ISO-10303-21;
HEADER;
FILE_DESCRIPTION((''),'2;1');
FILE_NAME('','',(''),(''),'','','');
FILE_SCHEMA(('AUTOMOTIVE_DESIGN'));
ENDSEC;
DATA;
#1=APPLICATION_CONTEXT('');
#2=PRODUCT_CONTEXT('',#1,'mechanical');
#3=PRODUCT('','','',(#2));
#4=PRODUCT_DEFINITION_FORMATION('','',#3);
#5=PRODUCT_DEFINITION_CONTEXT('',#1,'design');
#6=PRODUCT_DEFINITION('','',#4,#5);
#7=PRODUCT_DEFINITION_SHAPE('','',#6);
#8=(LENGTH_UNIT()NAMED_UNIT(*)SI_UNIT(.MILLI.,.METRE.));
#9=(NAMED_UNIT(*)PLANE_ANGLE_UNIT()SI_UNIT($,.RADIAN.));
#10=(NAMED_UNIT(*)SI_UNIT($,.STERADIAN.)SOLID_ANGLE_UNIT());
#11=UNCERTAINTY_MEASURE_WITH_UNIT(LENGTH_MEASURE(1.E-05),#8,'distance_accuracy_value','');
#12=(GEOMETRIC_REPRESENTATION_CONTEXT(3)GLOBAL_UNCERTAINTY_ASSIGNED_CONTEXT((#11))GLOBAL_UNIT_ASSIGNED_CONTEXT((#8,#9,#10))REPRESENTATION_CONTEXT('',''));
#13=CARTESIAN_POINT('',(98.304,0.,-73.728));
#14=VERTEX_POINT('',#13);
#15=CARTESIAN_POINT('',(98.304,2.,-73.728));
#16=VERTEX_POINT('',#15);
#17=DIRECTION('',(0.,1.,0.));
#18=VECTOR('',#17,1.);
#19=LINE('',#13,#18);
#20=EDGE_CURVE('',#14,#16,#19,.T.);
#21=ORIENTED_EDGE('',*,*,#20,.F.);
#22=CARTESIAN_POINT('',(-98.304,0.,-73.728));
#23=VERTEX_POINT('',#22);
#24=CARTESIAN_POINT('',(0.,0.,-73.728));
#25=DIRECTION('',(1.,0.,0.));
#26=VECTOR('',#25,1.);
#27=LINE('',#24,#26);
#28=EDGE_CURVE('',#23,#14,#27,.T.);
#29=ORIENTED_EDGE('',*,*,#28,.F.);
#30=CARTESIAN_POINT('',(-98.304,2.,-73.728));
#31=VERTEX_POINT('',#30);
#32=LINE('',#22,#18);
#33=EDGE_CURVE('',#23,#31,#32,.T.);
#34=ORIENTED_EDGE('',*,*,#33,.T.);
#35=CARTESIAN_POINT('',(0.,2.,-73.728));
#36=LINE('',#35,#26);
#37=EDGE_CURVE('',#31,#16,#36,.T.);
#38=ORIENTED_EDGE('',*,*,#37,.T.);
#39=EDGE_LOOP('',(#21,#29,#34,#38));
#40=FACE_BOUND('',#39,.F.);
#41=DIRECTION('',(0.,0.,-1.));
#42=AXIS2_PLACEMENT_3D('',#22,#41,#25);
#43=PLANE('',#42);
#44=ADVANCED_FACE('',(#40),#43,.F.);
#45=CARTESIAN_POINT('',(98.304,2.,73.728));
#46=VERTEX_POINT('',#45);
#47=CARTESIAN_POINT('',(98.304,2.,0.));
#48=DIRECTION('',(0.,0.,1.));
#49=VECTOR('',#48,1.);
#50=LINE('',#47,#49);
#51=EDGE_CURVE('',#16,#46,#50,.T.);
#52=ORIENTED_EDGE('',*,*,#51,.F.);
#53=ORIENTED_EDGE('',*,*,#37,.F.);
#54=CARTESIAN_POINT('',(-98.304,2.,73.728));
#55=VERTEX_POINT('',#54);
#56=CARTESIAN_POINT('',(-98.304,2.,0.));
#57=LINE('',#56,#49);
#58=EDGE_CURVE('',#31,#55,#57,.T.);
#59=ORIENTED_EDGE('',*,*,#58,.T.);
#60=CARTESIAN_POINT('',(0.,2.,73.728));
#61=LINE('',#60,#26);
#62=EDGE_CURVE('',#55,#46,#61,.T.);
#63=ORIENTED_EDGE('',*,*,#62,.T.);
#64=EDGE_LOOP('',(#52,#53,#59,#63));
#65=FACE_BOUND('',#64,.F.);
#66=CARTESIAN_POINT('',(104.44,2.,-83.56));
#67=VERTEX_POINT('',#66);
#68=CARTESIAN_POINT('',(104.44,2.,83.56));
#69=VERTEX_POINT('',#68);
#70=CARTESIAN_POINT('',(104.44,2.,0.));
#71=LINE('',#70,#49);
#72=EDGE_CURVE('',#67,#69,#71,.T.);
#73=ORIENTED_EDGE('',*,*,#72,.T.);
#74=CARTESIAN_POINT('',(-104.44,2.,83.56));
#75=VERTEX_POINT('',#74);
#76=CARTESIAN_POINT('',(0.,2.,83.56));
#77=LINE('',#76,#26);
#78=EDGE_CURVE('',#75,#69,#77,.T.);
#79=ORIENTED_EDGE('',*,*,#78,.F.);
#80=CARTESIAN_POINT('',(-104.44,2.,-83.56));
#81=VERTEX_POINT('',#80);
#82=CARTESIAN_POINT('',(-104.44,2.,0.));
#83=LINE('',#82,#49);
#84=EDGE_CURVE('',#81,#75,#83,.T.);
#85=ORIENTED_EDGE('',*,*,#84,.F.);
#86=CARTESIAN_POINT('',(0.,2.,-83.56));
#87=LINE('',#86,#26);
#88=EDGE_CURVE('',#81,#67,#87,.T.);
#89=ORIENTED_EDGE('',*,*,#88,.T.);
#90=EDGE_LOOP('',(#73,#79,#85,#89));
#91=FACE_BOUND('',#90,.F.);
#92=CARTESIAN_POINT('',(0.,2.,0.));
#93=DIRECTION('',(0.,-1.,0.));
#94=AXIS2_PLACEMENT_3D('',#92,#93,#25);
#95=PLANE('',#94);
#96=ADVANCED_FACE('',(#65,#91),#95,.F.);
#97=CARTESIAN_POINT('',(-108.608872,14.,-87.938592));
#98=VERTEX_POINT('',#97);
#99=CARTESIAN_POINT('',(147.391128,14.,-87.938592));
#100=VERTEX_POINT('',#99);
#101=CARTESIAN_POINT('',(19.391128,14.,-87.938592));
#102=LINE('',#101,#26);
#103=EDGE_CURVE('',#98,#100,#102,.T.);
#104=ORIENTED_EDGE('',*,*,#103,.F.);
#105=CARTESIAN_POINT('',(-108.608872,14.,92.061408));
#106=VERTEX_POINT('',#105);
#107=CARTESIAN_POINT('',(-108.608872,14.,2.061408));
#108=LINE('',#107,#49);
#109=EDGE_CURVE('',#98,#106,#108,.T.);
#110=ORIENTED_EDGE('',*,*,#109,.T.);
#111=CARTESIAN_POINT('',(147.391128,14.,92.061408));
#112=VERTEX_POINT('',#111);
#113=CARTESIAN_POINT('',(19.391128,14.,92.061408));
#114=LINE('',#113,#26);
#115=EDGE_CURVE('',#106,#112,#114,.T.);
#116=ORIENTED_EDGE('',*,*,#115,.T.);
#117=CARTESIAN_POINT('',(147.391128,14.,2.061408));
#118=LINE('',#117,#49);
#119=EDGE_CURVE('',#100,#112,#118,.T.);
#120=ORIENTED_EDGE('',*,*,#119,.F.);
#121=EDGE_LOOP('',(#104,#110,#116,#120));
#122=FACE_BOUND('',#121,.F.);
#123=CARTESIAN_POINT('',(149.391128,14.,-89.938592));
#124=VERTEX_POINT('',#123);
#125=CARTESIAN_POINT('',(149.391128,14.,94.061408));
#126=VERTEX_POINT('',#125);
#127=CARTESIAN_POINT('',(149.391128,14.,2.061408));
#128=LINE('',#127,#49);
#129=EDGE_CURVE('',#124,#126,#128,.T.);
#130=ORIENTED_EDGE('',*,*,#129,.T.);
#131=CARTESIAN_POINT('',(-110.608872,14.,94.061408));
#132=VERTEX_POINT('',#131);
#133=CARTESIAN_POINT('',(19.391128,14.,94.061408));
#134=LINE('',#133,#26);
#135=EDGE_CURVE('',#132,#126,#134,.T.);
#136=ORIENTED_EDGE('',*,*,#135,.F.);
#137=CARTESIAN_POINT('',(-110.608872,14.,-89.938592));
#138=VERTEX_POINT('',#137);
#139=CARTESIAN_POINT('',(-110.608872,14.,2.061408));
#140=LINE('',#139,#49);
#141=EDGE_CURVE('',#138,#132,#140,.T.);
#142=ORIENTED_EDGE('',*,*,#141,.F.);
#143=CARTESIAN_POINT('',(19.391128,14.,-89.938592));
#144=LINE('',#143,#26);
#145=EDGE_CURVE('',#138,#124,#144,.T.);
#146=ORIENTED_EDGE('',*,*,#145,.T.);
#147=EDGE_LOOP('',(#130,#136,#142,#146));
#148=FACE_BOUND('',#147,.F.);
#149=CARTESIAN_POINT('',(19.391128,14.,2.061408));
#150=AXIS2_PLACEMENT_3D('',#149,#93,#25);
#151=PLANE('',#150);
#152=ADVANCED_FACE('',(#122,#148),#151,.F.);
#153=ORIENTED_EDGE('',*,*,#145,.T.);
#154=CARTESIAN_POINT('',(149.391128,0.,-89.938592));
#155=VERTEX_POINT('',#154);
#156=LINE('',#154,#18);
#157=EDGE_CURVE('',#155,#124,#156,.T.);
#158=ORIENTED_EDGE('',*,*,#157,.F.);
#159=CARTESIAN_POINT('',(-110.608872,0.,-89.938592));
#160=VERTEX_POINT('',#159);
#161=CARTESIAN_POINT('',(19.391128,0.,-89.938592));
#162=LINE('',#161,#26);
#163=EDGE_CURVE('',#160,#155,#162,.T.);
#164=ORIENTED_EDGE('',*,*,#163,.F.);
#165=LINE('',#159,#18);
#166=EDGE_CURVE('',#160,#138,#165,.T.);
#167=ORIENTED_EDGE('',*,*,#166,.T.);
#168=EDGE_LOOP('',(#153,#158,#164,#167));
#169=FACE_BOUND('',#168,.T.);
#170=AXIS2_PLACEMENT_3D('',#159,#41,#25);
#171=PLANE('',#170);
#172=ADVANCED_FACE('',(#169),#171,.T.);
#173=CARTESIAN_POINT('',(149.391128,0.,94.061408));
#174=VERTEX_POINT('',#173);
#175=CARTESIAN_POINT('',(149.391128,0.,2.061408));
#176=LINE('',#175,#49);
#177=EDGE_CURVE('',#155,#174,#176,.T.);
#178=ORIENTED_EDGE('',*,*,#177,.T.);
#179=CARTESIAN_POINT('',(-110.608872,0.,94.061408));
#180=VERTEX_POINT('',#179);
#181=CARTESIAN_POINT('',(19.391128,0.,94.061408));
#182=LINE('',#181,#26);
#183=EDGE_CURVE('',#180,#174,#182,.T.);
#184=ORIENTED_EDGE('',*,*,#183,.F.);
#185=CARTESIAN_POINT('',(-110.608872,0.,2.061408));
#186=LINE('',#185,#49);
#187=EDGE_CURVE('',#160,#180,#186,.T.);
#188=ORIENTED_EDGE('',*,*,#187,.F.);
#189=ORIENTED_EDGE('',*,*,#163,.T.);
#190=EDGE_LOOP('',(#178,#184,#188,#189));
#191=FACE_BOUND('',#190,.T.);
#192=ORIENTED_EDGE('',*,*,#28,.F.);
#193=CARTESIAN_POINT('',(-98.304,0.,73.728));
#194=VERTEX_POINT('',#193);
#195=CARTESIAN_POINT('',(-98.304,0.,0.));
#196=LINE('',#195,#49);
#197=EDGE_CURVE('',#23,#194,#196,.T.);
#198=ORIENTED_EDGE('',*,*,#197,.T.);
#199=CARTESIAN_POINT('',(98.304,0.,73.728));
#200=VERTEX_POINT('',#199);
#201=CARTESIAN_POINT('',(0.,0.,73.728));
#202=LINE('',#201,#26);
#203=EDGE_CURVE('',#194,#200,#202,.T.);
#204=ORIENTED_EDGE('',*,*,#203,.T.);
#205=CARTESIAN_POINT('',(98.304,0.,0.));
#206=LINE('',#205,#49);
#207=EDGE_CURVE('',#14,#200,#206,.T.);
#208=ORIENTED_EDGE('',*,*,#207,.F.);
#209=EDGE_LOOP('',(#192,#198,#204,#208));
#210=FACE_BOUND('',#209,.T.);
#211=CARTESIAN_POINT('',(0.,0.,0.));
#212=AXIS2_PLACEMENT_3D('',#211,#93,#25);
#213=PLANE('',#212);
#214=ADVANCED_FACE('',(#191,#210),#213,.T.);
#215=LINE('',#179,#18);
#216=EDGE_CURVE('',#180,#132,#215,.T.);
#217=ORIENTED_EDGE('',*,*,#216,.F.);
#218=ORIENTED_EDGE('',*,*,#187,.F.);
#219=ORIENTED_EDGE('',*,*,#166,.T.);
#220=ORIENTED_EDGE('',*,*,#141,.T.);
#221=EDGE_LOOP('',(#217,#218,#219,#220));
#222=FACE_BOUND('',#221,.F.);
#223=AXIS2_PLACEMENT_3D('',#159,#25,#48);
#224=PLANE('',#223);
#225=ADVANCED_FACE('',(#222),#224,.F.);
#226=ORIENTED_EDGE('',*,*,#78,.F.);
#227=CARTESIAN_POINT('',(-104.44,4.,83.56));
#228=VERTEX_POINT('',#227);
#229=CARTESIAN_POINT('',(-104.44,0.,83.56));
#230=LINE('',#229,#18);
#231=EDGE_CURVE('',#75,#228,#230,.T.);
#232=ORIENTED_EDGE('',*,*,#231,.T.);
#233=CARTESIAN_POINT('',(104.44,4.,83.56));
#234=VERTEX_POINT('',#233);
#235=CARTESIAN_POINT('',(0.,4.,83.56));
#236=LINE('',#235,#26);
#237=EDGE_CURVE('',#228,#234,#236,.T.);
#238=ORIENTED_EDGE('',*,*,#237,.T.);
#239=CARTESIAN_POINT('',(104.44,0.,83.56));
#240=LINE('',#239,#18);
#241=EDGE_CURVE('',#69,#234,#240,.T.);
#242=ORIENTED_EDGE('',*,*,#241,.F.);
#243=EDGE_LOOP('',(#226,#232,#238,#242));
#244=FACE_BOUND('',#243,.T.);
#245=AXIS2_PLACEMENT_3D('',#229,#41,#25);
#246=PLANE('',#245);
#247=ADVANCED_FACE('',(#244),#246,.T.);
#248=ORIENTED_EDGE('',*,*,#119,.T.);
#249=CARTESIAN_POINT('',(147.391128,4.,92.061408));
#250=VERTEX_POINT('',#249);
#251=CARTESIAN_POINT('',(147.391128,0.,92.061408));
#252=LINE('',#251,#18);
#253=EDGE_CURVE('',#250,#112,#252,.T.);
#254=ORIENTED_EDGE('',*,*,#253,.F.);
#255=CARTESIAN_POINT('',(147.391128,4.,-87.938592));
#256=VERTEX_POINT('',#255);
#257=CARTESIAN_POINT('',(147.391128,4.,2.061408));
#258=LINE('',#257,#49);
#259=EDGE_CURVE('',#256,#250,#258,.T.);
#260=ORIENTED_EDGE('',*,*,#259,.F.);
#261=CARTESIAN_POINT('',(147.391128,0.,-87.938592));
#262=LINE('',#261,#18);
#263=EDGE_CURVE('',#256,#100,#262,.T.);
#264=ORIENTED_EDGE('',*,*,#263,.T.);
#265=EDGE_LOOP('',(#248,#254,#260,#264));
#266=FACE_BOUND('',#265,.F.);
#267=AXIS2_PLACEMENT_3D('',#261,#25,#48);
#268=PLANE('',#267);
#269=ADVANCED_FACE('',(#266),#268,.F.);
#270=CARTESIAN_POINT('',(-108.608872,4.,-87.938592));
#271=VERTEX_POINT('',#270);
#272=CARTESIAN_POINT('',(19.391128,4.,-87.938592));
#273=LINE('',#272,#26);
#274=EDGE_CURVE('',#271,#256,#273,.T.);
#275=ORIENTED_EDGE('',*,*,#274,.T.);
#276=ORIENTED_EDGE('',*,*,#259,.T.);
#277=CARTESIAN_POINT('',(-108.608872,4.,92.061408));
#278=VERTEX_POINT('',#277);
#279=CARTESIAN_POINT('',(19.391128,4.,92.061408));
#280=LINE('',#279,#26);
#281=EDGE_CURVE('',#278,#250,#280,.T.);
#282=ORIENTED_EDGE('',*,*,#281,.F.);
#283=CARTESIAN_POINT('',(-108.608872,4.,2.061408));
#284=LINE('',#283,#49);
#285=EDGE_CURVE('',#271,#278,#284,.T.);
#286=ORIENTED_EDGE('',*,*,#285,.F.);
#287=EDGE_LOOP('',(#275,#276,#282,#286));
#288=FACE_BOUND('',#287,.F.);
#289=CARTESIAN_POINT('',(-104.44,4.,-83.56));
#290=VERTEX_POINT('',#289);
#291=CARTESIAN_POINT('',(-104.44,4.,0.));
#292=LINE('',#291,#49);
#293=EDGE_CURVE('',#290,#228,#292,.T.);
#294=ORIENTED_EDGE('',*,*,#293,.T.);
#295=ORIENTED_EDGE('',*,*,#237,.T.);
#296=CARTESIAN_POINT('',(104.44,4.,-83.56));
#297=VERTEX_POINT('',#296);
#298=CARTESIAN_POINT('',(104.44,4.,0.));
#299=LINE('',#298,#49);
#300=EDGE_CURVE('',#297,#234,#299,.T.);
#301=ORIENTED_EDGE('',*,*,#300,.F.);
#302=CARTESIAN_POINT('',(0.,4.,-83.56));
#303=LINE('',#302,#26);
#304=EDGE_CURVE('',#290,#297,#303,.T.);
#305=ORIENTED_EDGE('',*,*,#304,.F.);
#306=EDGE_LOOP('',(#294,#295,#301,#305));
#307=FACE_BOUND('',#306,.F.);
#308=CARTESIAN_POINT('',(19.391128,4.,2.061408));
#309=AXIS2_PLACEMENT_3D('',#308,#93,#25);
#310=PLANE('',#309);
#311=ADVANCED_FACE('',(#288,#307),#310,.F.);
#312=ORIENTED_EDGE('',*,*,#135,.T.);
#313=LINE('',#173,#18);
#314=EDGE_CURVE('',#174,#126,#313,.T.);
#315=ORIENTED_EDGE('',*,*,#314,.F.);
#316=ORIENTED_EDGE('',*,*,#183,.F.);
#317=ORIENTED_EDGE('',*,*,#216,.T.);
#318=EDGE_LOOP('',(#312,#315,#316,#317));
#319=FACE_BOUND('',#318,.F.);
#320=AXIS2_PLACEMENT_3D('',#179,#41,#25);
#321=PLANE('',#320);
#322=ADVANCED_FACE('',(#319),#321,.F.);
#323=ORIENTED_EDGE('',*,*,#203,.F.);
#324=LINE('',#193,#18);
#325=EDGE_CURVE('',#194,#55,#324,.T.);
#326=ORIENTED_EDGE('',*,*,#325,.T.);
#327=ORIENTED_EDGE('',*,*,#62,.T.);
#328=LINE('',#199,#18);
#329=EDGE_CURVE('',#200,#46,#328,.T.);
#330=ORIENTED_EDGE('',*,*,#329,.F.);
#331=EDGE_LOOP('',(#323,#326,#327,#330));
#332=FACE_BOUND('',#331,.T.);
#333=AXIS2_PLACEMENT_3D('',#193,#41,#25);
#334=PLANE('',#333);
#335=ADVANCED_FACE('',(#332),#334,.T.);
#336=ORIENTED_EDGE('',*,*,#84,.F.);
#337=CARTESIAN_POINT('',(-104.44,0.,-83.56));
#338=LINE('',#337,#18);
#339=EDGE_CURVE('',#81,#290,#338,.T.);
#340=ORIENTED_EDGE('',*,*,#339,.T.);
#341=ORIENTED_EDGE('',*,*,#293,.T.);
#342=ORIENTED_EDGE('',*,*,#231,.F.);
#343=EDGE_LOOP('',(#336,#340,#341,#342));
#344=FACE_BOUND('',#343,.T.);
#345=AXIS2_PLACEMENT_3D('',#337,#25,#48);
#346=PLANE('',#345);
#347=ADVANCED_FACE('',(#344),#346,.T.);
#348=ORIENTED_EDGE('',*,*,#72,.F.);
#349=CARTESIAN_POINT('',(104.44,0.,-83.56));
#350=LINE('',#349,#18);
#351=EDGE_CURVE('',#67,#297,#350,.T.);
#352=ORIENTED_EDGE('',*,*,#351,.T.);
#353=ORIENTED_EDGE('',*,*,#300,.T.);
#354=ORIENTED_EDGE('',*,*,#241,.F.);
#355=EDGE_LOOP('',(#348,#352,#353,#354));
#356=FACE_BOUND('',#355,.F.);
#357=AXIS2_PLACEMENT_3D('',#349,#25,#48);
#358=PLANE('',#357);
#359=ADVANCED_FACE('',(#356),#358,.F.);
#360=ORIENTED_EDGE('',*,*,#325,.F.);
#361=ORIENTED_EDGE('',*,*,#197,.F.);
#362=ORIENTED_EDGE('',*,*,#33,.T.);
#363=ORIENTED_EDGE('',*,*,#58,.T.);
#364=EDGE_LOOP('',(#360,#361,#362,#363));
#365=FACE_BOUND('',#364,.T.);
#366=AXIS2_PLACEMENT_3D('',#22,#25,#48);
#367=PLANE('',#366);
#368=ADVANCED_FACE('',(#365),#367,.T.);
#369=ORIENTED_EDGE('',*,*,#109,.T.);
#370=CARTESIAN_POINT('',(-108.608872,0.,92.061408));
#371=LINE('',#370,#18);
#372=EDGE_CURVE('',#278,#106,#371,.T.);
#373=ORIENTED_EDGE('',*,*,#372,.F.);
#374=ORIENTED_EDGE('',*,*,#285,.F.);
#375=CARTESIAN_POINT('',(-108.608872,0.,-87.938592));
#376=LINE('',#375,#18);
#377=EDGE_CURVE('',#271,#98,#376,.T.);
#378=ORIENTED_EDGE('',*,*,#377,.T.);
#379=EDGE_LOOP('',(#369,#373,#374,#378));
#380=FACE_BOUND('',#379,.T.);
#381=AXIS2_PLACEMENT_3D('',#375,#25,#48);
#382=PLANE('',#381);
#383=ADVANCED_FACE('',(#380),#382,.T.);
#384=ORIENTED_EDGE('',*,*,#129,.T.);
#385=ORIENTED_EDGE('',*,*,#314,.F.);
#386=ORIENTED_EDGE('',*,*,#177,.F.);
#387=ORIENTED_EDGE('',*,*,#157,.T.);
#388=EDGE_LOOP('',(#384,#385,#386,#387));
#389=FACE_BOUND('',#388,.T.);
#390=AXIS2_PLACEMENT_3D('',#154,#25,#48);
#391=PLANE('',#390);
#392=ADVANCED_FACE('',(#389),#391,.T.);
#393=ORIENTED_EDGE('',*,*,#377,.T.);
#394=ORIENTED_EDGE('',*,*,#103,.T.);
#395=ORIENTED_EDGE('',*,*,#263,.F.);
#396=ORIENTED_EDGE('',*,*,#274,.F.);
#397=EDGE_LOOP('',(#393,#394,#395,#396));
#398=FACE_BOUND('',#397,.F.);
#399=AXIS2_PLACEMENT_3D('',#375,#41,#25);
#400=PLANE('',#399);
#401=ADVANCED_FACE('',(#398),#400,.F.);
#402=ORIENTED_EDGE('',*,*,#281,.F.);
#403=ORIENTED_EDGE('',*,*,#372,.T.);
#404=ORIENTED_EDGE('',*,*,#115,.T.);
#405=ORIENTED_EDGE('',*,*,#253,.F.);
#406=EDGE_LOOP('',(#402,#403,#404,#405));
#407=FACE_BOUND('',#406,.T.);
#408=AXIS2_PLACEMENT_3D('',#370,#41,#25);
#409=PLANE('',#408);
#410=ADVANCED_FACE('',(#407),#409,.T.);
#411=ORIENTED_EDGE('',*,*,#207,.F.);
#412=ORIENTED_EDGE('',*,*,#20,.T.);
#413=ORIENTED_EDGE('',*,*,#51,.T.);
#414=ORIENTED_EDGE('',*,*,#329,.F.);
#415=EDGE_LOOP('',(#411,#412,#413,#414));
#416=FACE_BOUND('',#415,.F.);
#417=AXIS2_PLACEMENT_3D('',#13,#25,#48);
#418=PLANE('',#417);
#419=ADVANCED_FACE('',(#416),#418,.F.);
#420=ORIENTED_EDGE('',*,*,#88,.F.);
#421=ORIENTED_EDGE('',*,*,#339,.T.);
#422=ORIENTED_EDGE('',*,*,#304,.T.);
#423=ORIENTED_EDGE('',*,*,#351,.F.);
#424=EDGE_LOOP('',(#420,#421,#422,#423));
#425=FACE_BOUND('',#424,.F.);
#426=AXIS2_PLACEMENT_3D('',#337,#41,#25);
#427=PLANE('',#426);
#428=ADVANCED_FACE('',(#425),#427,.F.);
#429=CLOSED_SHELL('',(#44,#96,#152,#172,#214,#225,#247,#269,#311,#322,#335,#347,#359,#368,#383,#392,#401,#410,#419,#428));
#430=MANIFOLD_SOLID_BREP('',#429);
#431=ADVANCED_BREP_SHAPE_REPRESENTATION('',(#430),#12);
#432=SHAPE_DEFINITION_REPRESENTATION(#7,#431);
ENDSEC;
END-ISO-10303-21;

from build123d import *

# Parameters (mm, degrees)
F0_W     = 260
F0_H     = 184
F0_W_2   = 256
F0_H_2   = 180
F1_DEPTH = 14
F0_W_3   = 208.88
F0_H_3   = 167.12
F2_DEPTH = 4
F0_W_4   = 196.608
F0_H_4   = 147.456
F3_DEPTH = 2


with BuildPart() as f1:
    # F0 (on Front) → F1 (new body)
    with BuildSketch(Plane.XZ):
        with Locations((19.391128, 2.061408)):
            Rectangle(F0_W, F0_H)
        with Locations((19.391128, 2.061408)):
            Rectangle(F0_W_2, F0_H_2, mode=Mode.SUBTRACT)
    extrude(amount=-F1_DEPTH)

    # F0 (on Front) → F2 (join)
    with BuildSketch(Plane.XZ):
        with Locations((19.391128, 2.061408)):
            Rectangle(F0_W_2, F0_H_2)
        Rectangle(F0_W_3, F0_H_3, mode=Mode.SUBTRACT)
    extrude(amount=-F2_DEPTH)

    # F0 (on Front) → F3 (join)
    with BuildSketch(Plane.XZ):
        Rectangle(F0_W_3, F0_H_3)
        Rectangle(F0_W_4, F0_H_4, mode=Mode.SUBTRACT)
    extrude(amount=-F3_DEPTH)


solid = f1.part
